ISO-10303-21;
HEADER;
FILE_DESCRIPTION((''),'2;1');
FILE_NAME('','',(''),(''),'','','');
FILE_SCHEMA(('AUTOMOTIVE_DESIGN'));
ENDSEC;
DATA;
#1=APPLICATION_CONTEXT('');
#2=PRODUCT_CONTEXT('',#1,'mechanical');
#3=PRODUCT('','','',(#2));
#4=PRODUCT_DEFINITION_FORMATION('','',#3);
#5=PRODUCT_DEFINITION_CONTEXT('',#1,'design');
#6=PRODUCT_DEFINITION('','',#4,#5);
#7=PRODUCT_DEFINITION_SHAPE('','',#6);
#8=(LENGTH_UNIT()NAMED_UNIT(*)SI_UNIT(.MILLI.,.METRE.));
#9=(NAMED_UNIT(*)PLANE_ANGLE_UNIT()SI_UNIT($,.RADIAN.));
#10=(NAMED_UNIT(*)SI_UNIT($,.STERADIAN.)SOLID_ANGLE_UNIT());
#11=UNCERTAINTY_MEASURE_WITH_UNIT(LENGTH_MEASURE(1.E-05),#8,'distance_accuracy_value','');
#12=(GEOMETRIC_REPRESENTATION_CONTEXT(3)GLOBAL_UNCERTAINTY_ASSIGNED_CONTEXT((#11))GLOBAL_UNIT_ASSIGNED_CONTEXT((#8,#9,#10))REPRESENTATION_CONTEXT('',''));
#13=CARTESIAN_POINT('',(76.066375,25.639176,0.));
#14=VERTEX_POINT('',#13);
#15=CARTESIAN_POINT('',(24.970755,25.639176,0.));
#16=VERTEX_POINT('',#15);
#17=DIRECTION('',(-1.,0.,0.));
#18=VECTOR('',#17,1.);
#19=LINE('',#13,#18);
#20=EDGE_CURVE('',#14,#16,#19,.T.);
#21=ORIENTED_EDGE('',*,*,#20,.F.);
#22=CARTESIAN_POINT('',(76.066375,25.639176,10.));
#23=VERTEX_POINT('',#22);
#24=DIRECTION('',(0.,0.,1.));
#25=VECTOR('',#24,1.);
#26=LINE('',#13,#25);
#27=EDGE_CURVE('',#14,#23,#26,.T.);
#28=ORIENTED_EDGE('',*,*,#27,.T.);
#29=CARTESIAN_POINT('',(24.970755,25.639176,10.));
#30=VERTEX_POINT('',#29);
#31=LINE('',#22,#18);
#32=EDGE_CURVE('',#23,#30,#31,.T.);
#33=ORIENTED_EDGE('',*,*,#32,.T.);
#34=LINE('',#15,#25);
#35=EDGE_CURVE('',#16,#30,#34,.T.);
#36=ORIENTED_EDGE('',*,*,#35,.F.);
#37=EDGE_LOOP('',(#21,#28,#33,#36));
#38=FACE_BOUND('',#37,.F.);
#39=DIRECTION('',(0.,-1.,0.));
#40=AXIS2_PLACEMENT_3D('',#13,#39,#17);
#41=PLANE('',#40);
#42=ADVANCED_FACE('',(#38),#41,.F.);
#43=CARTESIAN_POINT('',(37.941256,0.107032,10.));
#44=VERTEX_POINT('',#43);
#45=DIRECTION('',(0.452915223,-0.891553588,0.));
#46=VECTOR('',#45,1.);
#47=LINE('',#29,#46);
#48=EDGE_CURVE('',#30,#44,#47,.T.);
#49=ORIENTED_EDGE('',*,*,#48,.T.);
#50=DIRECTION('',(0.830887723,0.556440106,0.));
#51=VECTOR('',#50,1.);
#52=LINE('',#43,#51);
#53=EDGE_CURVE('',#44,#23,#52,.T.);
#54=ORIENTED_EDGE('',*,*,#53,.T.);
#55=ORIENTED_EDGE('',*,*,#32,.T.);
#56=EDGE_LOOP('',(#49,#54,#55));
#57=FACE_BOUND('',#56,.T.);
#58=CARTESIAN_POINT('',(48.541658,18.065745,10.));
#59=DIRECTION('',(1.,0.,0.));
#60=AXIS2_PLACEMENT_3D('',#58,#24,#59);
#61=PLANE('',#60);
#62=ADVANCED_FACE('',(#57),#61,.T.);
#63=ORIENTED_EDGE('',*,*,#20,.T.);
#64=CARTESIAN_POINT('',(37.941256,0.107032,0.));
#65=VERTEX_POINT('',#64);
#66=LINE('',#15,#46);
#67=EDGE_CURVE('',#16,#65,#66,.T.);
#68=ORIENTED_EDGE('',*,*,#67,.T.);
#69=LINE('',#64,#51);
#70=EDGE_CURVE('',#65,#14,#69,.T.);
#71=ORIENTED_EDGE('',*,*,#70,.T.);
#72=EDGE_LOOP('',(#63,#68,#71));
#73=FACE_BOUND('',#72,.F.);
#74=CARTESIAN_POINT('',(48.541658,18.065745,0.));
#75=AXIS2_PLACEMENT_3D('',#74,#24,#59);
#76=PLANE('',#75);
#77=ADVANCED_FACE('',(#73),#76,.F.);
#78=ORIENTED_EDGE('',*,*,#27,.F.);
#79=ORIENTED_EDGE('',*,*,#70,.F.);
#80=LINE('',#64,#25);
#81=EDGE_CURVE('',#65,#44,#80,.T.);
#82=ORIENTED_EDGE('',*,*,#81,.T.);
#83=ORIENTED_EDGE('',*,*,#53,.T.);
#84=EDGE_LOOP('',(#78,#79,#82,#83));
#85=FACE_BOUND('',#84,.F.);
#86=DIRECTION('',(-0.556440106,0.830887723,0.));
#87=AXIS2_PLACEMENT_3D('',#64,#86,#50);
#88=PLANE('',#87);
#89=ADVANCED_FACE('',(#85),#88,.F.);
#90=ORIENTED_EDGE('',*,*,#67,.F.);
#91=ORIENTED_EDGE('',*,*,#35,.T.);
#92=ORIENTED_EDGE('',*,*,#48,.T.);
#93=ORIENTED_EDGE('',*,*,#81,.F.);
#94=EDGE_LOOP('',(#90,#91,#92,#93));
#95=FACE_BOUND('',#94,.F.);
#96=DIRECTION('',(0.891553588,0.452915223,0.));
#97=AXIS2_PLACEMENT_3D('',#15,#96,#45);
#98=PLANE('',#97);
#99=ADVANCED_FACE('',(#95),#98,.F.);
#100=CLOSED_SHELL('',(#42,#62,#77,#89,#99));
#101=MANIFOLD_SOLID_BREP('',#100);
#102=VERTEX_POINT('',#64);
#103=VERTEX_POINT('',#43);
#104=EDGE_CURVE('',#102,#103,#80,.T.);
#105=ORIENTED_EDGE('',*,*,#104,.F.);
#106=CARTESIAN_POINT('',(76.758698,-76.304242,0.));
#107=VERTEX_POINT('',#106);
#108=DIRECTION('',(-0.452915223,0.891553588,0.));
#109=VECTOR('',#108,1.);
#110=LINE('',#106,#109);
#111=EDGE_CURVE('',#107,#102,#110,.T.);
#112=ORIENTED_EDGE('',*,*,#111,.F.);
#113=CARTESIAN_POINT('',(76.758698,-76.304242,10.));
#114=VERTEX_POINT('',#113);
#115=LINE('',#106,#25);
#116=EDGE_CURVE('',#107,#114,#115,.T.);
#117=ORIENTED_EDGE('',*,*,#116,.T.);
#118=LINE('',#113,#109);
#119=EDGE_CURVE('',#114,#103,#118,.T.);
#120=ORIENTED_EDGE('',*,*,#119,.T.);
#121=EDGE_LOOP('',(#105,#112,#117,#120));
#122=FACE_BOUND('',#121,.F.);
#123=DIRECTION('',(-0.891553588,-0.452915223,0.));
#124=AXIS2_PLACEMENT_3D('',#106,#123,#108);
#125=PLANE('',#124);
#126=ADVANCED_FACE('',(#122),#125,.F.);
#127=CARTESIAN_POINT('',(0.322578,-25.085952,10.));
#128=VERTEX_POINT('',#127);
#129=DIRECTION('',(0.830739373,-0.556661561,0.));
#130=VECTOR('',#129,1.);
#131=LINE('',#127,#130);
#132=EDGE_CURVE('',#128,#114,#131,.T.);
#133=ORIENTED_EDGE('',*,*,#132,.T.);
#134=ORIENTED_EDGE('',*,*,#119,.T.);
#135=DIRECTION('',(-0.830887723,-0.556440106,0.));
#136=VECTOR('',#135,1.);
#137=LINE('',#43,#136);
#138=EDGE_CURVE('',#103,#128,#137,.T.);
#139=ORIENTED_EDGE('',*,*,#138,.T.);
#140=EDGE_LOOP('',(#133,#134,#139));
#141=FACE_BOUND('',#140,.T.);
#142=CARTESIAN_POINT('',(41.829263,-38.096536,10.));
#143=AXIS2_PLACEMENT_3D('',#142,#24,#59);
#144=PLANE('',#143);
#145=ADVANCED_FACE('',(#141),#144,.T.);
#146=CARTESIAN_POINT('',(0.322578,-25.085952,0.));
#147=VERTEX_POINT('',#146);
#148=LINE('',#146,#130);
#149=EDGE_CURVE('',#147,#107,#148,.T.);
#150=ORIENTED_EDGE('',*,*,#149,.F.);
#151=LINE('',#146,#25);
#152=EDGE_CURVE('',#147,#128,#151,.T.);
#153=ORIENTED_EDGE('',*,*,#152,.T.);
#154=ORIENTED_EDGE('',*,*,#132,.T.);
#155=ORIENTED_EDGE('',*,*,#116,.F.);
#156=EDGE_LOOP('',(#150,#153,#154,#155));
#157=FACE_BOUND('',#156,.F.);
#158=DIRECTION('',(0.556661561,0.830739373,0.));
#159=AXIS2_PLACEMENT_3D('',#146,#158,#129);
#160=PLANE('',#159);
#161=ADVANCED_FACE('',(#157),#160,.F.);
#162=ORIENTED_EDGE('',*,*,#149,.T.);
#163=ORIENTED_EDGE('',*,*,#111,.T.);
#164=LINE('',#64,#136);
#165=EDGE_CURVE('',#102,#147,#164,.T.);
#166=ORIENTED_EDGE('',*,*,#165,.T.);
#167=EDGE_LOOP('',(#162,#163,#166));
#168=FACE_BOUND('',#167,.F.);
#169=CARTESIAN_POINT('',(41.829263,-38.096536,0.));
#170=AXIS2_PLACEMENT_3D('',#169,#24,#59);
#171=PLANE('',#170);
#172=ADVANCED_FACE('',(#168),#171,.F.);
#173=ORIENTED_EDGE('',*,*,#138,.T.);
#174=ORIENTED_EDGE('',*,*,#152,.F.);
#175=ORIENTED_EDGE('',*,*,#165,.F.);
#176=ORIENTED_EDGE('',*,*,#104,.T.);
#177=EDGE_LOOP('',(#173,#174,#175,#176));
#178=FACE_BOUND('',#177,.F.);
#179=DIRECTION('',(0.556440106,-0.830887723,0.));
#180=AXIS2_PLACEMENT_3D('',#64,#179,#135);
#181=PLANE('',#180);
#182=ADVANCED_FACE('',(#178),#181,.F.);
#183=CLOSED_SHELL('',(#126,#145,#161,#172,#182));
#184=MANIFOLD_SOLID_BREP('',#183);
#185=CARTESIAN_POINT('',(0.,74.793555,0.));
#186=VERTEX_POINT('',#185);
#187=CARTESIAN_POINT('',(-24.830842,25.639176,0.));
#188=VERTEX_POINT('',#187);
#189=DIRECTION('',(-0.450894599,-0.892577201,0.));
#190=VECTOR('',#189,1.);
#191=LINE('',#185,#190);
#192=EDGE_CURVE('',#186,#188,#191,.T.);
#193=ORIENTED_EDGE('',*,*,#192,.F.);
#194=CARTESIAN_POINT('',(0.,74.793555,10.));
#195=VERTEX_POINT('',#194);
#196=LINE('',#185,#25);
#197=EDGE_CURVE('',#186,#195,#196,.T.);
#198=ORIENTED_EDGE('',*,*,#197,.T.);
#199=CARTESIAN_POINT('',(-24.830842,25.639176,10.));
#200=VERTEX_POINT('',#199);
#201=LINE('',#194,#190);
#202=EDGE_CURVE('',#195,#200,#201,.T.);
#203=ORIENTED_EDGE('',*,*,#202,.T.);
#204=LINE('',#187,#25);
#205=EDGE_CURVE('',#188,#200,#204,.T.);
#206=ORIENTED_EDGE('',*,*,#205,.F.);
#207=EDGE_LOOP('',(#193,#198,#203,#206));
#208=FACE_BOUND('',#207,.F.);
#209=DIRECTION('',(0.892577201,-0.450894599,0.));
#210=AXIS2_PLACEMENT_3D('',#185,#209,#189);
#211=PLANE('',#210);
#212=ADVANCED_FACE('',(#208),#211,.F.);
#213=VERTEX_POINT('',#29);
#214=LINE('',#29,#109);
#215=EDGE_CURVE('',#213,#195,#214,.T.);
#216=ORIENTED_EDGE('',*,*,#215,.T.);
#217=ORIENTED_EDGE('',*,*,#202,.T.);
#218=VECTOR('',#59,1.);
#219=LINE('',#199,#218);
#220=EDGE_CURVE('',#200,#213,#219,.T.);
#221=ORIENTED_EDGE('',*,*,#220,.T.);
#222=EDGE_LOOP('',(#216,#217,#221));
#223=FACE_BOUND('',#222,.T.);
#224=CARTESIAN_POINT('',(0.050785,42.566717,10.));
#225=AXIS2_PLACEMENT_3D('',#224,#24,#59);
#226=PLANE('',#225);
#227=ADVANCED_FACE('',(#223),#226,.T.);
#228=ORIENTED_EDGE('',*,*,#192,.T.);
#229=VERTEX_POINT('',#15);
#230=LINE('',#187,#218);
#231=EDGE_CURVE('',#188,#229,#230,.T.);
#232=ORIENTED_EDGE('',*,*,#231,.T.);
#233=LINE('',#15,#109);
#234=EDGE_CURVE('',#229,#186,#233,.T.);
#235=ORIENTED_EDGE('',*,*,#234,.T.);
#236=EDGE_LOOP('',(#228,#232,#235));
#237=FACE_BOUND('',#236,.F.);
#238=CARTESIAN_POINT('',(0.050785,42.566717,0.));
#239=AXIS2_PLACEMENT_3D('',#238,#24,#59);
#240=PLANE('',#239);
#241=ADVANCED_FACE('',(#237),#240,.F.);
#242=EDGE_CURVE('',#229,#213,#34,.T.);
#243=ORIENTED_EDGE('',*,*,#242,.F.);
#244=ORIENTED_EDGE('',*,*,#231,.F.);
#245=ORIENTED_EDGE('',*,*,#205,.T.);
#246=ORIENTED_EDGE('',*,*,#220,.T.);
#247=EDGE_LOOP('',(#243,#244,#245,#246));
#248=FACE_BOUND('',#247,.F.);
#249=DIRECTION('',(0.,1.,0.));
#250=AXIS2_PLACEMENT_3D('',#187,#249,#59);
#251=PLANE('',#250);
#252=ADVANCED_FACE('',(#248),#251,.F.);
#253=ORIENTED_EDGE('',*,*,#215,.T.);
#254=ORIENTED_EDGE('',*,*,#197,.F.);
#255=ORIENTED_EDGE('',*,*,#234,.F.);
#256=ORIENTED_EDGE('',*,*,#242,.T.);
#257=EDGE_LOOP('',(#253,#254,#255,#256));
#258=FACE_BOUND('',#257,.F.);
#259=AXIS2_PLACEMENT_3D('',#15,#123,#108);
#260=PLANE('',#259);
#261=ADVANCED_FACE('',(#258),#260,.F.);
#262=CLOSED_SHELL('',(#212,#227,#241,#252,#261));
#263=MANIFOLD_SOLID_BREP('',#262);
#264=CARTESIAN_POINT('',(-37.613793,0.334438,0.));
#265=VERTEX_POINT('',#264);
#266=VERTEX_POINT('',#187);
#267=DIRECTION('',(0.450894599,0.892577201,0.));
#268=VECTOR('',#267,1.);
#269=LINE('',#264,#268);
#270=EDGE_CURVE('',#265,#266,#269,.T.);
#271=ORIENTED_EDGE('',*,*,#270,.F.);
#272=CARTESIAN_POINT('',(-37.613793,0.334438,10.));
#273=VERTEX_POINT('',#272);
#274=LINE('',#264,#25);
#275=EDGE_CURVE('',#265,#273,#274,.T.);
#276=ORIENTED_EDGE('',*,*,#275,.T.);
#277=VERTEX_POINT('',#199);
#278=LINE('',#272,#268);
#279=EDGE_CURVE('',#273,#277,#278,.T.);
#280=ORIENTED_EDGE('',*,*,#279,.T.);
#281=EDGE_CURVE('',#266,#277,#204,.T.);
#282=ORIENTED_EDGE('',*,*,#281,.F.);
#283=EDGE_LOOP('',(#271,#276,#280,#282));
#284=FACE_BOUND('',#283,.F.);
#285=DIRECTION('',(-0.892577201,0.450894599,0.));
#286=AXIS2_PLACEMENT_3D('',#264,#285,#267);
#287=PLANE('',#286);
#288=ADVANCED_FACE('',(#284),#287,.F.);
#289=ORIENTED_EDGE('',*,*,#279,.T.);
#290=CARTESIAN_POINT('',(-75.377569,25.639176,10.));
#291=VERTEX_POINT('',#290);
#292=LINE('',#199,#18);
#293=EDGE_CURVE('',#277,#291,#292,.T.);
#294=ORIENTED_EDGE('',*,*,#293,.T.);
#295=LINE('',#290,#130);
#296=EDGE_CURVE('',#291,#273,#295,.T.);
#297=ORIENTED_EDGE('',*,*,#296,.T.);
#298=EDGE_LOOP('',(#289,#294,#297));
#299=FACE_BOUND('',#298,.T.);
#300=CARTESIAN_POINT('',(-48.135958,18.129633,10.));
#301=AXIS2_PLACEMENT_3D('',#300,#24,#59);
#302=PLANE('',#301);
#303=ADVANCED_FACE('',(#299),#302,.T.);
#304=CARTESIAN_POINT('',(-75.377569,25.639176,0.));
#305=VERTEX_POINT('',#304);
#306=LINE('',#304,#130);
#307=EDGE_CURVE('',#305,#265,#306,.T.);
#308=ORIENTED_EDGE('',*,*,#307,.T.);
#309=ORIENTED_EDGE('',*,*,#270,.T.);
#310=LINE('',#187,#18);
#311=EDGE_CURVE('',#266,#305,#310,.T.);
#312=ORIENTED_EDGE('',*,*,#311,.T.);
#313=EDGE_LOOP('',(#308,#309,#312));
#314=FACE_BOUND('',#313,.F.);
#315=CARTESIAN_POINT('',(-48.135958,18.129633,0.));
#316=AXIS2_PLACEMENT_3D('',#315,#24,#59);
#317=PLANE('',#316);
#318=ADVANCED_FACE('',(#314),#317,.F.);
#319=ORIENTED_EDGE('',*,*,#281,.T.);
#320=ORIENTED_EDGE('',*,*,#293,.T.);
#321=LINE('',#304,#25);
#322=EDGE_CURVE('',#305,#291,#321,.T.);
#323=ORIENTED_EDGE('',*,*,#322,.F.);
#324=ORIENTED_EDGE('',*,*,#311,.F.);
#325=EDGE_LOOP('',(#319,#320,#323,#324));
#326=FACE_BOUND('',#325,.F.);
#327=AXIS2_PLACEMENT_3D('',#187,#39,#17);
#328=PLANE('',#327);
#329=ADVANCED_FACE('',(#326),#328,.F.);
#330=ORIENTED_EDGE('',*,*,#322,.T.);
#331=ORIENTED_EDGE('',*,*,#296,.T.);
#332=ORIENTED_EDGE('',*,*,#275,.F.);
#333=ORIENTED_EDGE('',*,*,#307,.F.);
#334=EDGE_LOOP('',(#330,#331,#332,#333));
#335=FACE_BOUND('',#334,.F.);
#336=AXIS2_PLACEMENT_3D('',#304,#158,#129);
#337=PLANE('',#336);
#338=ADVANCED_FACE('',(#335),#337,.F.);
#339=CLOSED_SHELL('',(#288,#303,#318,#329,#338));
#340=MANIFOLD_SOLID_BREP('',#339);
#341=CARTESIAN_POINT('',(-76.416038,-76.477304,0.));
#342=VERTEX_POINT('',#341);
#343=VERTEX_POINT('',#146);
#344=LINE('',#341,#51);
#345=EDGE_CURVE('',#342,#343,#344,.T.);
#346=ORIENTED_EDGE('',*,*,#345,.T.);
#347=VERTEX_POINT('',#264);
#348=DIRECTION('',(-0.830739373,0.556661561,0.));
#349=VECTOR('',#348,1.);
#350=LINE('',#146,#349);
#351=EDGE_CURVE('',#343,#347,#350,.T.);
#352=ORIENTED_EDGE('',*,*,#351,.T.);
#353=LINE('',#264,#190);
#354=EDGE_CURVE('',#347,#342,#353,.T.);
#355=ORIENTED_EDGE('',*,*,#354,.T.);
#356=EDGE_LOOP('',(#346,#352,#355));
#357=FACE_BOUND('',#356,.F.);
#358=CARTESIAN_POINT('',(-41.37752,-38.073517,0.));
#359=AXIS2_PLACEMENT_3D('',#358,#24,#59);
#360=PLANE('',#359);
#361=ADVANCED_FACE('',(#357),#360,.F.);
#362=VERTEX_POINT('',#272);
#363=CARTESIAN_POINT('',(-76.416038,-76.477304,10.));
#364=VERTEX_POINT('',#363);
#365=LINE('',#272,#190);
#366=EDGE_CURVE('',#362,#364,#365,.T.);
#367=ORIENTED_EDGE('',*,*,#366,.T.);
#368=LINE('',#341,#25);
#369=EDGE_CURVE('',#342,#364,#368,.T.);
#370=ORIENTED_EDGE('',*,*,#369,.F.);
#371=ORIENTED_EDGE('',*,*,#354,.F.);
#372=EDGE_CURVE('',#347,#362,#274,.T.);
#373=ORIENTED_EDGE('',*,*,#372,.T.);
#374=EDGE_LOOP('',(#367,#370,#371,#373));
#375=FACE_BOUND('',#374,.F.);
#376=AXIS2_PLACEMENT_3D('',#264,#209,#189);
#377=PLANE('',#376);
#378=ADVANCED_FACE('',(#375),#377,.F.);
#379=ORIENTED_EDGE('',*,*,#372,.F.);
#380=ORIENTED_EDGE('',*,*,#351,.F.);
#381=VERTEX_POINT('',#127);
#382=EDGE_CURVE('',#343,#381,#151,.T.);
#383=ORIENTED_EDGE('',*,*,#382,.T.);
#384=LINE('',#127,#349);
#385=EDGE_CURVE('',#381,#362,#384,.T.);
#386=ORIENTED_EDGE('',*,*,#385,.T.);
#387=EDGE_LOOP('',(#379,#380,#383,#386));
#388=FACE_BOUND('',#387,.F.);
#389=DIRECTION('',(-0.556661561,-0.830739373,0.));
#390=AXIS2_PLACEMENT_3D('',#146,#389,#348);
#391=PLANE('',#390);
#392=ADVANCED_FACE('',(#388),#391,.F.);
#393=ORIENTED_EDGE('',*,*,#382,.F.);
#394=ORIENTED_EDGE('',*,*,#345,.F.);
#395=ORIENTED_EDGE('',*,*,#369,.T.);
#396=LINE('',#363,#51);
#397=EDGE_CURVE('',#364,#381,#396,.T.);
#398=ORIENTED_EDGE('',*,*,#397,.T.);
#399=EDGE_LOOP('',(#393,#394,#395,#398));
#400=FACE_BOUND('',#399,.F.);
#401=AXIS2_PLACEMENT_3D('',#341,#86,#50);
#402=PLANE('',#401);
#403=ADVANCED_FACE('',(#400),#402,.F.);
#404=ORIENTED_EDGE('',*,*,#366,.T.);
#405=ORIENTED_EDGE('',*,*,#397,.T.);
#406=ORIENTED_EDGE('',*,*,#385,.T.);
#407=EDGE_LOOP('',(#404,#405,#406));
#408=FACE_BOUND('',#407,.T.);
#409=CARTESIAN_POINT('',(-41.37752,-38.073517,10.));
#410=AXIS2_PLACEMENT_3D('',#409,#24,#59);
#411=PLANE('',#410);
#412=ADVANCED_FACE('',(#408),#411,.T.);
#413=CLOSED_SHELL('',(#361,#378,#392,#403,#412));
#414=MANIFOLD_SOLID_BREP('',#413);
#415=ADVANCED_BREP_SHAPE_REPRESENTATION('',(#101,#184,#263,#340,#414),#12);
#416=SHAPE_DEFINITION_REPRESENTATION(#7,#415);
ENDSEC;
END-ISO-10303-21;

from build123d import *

# Parameters (mm, degrees)
F1_DEPTH = 10


with BuildPart() as f1:
    # F0 (on Top) → F1 (new body)
    with BuildSketch(Plane.XY):
        Polygon((37.9412560871, 0.1070322484), (0.3225775135, -25.0859522174), (76.758697629, -76.3042420149), align=None)
    extrude(amount=F1_DEPTH)


with BuildPart() as f1b:
    # F0 (on Top) → F1, piece 2 (new body)
    with BuildSketch(Plane.XY):
        Polygon((0.3225775135, -25.0859522174), (-37.6137925374, 0.3344379358), (-76.4160379767, -76.477304101), align=None)
    extrude(amount=F1_DEPTH)


with BuildPart() as f1c:
    # F0 (on Top) → F1, piece 3 (new body)
    with BuildSketch(Plane.XY):
        Polygon((-24.8308423606, 25.6391763687), (-75.3775686026, 25.6391763687), (-37.6137925374, 0.3344379358), align=None)
    extrude(amount=F1_DEPTH)


with BuildPart() as f1d:
    # F0 (on Top) → F1, piece 4 (new body)
    with BuildSketch(Plane.XY):
        Polygon((0, 74.7935548425), (-24.8308423606, 25.6391763687), (24.9707550532, 25.6391763687), align=None)
    extrude(amount=F1_DEPTH)


with BuildPart() as f1e:
    # F0 (on Top) → F1, piece 5 (new body)
    with BuildSketch(Plane.XY):
        Polygon((76.0663747787, 25.6391763687), (24.9707550532, 25.6391763687), (37.9412560871, 0.1070322484), align=None)
    extrude(amount=F1_DEPTH)


solid = Compound([f1.part, f1b.part, f1c.part, f1d.part, f1e.part])
